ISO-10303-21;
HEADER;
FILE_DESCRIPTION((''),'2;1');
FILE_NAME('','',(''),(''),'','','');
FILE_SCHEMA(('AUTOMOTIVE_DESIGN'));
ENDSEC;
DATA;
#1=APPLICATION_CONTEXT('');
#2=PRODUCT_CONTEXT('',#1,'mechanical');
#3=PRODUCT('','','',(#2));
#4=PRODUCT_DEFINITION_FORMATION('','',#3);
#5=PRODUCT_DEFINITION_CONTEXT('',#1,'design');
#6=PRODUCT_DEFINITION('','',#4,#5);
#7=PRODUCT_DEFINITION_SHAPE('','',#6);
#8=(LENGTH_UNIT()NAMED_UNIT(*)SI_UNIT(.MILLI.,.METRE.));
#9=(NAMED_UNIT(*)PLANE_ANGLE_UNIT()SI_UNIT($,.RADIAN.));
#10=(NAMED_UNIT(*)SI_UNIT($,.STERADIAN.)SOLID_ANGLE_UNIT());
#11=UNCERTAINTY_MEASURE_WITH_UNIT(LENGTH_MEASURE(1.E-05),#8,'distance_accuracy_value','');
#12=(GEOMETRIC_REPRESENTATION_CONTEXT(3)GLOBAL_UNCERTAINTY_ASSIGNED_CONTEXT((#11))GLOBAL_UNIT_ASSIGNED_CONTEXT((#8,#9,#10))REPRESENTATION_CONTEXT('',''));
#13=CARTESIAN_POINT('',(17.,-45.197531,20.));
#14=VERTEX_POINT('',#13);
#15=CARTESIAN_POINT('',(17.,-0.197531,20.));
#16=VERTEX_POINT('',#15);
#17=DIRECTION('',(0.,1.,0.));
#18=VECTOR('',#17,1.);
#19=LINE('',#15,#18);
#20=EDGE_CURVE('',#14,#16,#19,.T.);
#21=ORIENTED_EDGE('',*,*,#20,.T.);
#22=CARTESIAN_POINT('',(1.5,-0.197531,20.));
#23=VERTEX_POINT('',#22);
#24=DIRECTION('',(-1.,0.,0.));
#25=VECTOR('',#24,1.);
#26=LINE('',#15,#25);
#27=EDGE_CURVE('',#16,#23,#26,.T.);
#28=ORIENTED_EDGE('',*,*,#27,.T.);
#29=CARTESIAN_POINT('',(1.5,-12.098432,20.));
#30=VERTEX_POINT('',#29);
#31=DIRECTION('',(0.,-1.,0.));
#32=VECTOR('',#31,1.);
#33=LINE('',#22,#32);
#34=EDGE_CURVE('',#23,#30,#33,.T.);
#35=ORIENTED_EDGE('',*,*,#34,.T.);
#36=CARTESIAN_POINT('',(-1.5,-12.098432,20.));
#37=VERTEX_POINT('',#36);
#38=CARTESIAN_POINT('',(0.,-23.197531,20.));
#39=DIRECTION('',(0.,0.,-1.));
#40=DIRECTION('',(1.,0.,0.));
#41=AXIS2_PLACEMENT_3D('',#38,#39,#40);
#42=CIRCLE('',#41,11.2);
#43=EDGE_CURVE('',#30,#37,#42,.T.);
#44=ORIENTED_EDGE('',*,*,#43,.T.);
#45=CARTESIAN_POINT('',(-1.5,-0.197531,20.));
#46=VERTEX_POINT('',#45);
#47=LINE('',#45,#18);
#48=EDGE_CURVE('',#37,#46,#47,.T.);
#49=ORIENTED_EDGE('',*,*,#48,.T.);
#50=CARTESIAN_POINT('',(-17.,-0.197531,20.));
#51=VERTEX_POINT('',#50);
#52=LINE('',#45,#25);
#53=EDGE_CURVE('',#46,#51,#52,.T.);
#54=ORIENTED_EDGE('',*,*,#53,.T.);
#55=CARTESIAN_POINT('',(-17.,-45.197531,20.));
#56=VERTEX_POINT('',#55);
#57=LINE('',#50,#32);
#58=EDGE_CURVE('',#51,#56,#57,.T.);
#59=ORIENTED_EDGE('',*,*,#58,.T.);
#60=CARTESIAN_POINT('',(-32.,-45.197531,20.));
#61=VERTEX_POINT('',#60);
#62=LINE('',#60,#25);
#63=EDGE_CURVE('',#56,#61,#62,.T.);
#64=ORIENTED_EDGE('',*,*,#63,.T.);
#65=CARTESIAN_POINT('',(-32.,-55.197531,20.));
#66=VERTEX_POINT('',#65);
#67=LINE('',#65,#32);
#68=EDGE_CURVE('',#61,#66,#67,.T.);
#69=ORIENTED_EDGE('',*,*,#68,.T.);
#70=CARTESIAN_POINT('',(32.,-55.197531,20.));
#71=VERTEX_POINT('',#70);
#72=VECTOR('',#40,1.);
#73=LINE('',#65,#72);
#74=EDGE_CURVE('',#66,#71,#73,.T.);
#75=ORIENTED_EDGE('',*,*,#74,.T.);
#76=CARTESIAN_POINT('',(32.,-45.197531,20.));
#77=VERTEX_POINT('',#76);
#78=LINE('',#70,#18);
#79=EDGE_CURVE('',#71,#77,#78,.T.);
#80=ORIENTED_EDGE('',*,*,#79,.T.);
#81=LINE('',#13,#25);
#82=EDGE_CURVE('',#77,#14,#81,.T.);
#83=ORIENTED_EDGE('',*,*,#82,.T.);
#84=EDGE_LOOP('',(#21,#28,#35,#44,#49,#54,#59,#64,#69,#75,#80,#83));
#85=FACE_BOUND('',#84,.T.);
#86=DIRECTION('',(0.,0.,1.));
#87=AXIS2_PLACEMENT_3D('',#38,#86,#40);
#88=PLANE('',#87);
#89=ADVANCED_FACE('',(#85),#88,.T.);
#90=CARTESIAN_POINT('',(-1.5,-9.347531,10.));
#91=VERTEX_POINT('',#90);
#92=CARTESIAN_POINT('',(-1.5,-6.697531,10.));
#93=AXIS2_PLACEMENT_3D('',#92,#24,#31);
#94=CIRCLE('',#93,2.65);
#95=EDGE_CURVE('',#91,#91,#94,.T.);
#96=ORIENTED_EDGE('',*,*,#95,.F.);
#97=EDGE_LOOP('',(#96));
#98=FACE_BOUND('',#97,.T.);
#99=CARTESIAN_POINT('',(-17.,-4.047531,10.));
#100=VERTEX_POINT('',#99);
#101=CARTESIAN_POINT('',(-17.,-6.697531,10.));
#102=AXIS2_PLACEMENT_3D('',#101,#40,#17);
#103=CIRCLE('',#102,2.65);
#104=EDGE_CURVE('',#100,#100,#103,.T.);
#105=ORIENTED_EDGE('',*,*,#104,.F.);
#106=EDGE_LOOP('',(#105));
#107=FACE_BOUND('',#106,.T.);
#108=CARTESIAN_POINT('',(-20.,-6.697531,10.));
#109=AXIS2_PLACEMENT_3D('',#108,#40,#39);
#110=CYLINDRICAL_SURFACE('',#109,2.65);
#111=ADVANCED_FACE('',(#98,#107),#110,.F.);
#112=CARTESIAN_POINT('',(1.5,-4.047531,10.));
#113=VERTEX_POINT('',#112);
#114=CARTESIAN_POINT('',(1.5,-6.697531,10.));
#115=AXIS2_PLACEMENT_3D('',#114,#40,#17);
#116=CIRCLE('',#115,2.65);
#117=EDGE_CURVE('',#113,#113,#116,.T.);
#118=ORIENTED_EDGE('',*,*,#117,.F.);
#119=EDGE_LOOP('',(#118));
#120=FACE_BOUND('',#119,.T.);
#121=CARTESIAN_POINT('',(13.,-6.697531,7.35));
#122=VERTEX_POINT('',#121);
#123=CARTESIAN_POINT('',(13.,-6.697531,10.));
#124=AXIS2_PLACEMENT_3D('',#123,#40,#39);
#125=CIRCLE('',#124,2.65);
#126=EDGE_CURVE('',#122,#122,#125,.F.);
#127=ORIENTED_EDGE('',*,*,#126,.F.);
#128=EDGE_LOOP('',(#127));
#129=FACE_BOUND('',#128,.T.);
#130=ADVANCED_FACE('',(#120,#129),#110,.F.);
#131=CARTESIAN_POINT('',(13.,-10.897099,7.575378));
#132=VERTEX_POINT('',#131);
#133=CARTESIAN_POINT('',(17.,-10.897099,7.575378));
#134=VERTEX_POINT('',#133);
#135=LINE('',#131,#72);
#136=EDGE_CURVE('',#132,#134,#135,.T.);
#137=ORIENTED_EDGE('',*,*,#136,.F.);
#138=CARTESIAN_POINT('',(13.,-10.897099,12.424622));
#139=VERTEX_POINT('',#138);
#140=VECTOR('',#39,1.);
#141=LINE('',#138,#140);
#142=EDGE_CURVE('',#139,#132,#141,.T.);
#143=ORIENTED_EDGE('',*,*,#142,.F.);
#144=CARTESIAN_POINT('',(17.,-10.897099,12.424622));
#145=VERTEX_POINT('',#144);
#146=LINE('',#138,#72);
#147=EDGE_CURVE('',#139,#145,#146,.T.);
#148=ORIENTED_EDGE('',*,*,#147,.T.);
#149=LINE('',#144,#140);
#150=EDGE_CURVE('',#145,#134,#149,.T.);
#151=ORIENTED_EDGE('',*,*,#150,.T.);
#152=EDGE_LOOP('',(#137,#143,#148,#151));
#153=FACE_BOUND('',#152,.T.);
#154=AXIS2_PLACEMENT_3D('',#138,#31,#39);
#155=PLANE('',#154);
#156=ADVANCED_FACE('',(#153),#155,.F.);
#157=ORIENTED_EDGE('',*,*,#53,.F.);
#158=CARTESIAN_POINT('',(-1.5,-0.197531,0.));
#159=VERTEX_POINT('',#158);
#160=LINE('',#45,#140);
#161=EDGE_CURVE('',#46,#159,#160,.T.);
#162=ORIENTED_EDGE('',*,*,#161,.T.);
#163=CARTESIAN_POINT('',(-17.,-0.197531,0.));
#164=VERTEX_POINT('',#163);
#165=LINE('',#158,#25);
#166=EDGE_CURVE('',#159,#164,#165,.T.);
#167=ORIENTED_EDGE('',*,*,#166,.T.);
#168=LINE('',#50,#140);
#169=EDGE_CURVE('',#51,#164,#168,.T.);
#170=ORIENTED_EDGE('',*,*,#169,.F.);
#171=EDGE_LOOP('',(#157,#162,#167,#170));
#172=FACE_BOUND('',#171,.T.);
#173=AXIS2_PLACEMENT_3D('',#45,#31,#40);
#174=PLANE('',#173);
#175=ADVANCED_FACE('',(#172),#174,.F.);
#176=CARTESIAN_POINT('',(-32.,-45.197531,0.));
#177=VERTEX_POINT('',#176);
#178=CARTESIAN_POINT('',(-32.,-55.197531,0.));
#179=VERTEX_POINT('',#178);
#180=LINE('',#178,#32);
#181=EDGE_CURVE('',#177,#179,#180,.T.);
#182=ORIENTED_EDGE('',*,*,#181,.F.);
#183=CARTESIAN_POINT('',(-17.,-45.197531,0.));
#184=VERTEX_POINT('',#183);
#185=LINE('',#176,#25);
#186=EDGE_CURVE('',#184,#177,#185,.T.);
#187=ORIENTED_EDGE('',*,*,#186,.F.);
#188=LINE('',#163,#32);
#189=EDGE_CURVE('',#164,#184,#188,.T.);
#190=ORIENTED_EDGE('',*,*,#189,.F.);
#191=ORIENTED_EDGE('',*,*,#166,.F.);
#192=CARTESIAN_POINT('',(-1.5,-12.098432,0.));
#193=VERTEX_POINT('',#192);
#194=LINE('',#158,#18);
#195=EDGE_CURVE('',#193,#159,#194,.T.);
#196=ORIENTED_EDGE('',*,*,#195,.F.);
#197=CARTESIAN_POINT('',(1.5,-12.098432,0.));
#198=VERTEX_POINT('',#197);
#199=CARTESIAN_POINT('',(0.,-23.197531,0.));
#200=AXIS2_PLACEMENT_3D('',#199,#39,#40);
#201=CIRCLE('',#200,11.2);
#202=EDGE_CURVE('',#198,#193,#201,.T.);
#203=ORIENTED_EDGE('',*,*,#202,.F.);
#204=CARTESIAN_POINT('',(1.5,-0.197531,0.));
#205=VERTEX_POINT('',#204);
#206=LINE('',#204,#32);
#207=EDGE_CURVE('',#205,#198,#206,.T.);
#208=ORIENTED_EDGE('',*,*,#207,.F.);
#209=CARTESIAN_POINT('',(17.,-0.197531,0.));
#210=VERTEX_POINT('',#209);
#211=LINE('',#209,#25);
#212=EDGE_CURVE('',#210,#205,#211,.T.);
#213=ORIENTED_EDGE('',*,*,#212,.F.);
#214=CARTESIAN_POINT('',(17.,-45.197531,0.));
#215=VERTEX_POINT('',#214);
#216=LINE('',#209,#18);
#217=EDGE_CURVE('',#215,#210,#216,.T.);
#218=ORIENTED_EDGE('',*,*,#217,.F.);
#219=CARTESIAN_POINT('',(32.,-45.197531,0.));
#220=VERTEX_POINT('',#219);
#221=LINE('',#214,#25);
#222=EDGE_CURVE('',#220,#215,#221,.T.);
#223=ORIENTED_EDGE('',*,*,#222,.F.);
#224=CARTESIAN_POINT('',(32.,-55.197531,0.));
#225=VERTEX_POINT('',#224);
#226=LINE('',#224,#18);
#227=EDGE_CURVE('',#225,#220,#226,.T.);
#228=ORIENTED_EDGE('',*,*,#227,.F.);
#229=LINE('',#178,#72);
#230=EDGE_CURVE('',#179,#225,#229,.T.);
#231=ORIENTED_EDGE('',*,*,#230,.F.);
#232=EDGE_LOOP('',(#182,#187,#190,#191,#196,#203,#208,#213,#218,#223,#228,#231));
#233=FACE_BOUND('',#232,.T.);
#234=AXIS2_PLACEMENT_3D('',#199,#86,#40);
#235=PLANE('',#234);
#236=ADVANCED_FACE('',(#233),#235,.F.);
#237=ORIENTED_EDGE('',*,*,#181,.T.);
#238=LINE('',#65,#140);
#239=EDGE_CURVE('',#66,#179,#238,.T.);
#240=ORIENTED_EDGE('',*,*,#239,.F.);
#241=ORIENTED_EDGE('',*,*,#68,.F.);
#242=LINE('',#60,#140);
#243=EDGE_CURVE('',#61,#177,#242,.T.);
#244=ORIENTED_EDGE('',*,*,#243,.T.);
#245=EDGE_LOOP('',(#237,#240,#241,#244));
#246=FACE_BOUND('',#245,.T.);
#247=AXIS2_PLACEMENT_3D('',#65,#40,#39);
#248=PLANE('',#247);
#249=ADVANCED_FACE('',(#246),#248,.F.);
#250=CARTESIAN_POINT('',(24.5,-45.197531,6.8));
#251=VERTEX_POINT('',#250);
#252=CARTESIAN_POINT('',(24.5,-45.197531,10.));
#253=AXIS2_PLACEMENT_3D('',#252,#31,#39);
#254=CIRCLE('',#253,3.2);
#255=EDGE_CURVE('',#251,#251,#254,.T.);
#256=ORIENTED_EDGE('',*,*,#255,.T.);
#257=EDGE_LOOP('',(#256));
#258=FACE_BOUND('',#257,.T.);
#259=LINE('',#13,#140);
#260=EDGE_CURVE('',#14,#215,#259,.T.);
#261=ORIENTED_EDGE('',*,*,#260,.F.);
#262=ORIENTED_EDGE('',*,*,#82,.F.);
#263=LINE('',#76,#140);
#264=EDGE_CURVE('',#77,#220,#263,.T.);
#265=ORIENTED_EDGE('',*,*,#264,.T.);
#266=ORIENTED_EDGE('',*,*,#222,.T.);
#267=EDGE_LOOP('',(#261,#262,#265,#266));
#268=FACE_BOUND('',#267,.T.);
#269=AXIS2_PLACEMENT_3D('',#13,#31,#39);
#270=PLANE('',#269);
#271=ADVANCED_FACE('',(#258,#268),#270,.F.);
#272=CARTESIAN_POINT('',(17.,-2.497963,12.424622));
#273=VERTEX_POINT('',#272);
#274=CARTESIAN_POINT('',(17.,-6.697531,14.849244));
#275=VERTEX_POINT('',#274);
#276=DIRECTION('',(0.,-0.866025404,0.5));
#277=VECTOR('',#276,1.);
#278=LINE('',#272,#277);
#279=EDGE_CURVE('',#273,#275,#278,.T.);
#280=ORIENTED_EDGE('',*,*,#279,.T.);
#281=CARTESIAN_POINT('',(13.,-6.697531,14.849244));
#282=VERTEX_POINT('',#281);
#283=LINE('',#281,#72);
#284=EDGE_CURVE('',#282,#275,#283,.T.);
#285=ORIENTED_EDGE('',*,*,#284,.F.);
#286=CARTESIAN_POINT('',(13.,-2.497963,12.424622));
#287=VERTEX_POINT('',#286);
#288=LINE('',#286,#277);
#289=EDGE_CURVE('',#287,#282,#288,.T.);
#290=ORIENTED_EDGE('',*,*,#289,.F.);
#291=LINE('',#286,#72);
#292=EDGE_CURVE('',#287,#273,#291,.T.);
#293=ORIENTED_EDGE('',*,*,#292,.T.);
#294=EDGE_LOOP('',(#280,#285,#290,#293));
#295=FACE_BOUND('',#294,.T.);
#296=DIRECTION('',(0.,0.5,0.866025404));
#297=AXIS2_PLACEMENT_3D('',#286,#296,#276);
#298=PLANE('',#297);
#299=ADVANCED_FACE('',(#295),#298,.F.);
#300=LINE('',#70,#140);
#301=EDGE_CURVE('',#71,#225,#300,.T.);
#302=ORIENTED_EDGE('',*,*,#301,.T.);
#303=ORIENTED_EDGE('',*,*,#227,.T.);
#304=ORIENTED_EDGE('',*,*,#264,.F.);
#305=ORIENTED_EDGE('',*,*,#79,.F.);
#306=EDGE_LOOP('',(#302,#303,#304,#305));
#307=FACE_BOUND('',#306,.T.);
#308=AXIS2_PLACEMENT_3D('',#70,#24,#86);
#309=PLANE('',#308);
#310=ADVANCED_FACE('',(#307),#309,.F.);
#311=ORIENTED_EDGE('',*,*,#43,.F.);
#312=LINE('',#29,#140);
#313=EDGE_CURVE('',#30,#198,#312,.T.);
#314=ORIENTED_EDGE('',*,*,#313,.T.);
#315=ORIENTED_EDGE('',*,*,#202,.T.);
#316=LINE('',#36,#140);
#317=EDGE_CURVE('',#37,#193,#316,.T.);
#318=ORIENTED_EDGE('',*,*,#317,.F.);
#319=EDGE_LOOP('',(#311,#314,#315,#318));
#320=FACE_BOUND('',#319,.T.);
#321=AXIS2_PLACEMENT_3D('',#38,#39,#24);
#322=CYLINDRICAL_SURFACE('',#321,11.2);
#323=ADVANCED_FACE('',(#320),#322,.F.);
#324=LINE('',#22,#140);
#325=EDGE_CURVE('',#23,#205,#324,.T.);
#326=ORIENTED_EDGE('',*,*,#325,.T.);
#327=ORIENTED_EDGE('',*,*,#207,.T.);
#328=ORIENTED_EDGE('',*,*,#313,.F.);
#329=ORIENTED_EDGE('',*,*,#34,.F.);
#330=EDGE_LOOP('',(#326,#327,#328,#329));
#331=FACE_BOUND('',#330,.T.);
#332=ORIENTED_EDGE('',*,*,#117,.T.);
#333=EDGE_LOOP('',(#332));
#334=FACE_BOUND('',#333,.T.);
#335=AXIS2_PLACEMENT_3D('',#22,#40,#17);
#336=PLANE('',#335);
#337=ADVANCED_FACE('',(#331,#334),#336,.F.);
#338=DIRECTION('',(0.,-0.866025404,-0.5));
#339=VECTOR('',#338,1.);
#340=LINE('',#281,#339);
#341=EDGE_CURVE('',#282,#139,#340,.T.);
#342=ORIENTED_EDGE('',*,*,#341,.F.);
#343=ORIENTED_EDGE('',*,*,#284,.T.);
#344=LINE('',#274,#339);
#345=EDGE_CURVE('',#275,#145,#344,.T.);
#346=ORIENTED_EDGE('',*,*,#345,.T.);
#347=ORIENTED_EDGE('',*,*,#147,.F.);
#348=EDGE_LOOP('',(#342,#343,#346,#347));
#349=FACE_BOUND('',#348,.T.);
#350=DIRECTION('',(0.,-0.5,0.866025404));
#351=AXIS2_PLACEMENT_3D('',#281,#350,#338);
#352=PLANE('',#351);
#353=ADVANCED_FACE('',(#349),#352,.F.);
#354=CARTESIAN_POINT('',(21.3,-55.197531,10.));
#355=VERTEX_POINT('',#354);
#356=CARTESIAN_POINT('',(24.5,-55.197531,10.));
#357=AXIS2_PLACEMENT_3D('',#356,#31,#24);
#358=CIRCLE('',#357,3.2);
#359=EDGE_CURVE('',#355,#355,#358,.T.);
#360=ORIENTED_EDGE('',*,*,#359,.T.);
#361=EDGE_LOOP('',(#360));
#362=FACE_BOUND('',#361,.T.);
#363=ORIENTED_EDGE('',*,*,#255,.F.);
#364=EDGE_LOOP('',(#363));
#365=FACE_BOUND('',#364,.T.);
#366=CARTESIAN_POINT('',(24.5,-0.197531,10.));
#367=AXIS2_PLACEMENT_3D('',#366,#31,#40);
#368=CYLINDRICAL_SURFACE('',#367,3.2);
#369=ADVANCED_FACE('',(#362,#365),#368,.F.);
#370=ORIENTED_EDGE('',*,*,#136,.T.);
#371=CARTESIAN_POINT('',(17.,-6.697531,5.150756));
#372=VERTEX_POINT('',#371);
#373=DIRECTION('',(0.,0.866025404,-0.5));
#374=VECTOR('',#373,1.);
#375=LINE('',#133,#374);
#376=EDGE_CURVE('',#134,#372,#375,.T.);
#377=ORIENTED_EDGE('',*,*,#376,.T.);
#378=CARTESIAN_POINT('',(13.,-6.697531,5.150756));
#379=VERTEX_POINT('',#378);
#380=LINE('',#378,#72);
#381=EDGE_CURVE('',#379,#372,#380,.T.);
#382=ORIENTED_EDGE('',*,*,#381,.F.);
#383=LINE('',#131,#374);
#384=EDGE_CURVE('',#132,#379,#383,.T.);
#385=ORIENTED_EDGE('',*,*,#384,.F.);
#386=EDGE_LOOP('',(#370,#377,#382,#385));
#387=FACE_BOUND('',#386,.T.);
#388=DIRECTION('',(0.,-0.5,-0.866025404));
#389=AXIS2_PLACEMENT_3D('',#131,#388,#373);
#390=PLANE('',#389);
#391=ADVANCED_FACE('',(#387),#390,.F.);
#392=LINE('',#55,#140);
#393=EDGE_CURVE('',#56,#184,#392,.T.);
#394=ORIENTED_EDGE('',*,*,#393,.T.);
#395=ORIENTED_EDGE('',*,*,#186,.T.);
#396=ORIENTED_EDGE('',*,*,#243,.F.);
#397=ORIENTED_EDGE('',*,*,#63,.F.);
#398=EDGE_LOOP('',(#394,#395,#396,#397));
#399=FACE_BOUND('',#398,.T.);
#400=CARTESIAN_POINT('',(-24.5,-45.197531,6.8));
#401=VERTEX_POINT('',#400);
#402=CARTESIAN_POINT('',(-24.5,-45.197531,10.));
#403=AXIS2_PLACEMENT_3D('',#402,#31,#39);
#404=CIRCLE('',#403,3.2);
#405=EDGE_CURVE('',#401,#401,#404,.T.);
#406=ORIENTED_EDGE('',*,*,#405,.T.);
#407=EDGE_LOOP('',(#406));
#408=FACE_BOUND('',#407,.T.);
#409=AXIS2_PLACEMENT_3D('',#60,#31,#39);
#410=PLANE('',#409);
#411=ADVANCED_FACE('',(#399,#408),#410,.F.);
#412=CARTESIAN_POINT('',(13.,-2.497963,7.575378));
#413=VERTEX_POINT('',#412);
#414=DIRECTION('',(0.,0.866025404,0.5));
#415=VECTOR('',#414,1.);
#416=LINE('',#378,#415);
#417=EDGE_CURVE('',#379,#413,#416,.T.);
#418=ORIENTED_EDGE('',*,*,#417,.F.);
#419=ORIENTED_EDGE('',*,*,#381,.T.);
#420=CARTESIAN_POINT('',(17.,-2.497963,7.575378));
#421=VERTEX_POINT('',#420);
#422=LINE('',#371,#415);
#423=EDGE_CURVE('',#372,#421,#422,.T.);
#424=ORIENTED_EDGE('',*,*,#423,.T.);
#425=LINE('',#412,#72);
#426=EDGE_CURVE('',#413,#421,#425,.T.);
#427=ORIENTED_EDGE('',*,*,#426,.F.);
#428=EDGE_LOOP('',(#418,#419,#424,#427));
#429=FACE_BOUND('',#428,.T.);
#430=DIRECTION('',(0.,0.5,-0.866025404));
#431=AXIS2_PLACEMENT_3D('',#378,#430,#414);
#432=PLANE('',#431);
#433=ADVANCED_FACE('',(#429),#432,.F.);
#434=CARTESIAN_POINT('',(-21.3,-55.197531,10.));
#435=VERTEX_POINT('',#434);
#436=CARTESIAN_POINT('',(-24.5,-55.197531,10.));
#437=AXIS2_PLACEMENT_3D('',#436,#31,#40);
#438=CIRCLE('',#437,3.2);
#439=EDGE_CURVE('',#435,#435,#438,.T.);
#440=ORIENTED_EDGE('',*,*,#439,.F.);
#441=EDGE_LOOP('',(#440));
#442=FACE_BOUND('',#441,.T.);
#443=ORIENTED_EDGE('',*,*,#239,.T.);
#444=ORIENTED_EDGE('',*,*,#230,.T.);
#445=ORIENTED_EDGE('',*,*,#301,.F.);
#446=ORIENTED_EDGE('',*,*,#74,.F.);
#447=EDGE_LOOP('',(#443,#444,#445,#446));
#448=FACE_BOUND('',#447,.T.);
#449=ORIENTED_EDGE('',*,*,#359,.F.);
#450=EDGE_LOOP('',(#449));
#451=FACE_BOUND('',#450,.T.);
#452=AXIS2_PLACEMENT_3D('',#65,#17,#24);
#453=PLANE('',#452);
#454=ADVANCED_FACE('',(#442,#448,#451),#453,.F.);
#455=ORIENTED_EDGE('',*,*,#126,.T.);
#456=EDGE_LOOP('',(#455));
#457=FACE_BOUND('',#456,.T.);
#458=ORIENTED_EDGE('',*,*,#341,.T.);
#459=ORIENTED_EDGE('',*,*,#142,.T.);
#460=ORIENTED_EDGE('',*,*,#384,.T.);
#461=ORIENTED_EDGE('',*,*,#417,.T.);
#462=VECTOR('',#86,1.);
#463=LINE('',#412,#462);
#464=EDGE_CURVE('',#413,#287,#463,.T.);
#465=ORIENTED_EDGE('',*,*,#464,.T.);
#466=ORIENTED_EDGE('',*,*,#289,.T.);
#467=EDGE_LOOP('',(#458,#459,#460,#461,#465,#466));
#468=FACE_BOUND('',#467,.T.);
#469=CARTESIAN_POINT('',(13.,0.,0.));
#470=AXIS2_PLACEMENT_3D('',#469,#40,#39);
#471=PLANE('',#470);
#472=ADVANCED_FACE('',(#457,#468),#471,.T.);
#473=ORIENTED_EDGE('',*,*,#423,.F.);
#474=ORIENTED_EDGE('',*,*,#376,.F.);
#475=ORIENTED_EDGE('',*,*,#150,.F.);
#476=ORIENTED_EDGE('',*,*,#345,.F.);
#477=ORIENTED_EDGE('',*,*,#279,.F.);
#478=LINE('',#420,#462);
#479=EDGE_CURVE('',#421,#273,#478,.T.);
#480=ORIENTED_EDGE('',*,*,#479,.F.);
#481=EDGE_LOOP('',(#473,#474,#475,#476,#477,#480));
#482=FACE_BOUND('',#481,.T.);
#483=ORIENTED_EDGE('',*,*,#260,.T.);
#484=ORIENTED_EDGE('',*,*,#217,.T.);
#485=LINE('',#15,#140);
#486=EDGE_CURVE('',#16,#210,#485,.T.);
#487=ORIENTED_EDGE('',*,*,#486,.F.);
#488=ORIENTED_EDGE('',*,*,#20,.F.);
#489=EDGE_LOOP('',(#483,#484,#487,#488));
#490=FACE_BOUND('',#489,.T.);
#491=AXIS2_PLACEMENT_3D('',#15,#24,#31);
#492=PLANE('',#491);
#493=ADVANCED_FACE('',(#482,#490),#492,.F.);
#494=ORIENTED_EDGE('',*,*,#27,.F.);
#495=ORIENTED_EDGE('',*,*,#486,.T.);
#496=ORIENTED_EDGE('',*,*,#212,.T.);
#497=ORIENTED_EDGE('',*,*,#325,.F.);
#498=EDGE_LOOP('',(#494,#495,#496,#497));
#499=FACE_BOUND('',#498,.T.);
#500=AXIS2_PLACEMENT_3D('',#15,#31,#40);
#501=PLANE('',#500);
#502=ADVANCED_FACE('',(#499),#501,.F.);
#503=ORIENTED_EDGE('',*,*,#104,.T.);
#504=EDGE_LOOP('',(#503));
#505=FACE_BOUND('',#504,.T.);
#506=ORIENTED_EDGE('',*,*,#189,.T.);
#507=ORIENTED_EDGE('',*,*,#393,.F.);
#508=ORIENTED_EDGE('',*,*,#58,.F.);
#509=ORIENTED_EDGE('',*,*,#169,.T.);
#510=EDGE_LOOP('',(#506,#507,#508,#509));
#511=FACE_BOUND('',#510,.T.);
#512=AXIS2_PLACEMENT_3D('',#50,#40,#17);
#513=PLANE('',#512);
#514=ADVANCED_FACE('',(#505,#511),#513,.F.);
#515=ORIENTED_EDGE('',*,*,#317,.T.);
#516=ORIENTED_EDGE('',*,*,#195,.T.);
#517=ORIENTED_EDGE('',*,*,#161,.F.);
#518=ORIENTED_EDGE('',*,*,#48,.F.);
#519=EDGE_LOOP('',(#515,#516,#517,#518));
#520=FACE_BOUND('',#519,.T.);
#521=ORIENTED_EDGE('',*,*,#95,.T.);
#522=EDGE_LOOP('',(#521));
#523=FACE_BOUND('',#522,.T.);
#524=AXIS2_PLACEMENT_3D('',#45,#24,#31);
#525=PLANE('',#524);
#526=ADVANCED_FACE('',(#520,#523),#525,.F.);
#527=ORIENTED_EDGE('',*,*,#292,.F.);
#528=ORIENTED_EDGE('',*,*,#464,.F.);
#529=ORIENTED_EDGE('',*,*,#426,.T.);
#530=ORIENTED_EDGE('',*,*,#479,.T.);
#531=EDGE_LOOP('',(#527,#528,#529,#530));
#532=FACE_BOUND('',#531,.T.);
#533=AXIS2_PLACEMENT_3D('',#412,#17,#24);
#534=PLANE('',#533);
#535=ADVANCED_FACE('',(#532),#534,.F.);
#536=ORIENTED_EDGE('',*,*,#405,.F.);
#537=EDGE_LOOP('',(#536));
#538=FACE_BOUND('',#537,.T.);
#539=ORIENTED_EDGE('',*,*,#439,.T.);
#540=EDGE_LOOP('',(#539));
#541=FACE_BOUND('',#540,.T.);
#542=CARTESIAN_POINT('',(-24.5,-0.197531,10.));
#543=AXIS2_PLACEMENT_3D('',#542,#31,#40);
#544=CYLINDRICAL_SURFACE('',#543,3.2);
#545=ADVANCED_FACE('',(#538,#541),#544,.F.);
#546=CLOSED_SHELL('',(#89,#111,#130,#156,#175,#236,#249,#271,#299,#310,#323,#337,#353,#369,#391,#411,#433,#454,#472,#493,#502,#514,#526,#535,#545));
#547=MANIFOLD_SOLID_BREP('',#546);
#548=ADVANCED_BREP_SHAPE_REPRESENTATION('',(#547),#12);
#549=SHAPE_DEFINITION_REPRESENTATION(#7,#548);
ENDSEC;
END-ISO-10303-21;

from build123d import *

# Parameters (mm, degrees)
EXTRUDE_1_DEPTH     = 20
SKETCH_2_R          = 2.65
CUT_EXTRUDE_1_DEPTH = 20
CUT_EXTRUDE_2_DEPTH = 4
SKETCH_5_R          = 3.2
CUT_EXTRUDE_3_DEPTH = 56


with BuildPart() as part:
    # 草图1 → 凸台-拉伸1 (new body)
    with BuildSketch(Plane.XY):
        with BuildLine():
            Line((17, -0.197530864), (1.5, -0.197530864))
            Line((1.5, -0.197530864), (1.5, -12.098431802))
            ThreePointArc((1.5, -12.098431802), (0, -34.397530864), (-1.5, -12.098431802))
            Line((-1.5, -12.098431802), (-1.5, -0.197530864))
            Line((-1.5, -0.197530864), (-17, -0.197530864))
            Line((-17, -0.197530864), (-17, -45.197530864))
            Line((-17, -45.197530864), (-32, -45.197530864))
            Line((-32, -45.197530864), (-32, -55.197530864))
            Line((-32, -55.197530864), (32, -55.197530864))
            Line((32, -55.197530864), (32, -45.197530864))
            Line((32, -45.197530864), (17, -45.197530864))
            Line((17, -45.197530864), (17, -0.197530864))
        make_face()
    extrude(amount=EXTRUDE_1_DEPTH)

    # 草图2 → 切除-拉伸1 (cut, symmetric)
    with BuildSketch(Plane(origin=(0, 0, 0), x_dir=(0, 0, -1), z_dir=(1, 0, 0))):
        with Locations((-10, -6.697530864)):
            Circle(SKETCH_2_R)
    extrude(amount=CUT_EXTRUDE_1_DEPTH, both=True, mode=Mode.SUBTRACT)

    # 草图3 → 切除-拉伸2 (cut)
    with BuildSketch(Plane(origin=(17, 0, 0), x_dir=(0, 0, -1), z_dir=(1, 0, 0))):
        Polygon((-5.150756421, -6.697530864), (-7.575378211, -2.497962736), (-12.424621789, -2.497962736), (-14.849243579, -6.697530864), (-12.424621789, -10.897098992), (-7.575378211, -10.897098992), align=None)
    extrude(amount=-CUT_EXTRUDE_2_DEPTH, mode=Mode.SUBTRACT)

    # 草图5 → 切除-拉伸3 (cut, through all)
    with BuildSketch(Plane.XZ.offset(55.197530864)):
        with Locations((-24.5, 10)):
            Circle(SKETCH_5_R)
        with Locations((24.5, 10)):
            Circle(SKETCH_5_R)
    extrude(amount=-CUT_EXTRUDE_3_DEPTH, mode=Mode.SUBTRACT)


solid = part.part
